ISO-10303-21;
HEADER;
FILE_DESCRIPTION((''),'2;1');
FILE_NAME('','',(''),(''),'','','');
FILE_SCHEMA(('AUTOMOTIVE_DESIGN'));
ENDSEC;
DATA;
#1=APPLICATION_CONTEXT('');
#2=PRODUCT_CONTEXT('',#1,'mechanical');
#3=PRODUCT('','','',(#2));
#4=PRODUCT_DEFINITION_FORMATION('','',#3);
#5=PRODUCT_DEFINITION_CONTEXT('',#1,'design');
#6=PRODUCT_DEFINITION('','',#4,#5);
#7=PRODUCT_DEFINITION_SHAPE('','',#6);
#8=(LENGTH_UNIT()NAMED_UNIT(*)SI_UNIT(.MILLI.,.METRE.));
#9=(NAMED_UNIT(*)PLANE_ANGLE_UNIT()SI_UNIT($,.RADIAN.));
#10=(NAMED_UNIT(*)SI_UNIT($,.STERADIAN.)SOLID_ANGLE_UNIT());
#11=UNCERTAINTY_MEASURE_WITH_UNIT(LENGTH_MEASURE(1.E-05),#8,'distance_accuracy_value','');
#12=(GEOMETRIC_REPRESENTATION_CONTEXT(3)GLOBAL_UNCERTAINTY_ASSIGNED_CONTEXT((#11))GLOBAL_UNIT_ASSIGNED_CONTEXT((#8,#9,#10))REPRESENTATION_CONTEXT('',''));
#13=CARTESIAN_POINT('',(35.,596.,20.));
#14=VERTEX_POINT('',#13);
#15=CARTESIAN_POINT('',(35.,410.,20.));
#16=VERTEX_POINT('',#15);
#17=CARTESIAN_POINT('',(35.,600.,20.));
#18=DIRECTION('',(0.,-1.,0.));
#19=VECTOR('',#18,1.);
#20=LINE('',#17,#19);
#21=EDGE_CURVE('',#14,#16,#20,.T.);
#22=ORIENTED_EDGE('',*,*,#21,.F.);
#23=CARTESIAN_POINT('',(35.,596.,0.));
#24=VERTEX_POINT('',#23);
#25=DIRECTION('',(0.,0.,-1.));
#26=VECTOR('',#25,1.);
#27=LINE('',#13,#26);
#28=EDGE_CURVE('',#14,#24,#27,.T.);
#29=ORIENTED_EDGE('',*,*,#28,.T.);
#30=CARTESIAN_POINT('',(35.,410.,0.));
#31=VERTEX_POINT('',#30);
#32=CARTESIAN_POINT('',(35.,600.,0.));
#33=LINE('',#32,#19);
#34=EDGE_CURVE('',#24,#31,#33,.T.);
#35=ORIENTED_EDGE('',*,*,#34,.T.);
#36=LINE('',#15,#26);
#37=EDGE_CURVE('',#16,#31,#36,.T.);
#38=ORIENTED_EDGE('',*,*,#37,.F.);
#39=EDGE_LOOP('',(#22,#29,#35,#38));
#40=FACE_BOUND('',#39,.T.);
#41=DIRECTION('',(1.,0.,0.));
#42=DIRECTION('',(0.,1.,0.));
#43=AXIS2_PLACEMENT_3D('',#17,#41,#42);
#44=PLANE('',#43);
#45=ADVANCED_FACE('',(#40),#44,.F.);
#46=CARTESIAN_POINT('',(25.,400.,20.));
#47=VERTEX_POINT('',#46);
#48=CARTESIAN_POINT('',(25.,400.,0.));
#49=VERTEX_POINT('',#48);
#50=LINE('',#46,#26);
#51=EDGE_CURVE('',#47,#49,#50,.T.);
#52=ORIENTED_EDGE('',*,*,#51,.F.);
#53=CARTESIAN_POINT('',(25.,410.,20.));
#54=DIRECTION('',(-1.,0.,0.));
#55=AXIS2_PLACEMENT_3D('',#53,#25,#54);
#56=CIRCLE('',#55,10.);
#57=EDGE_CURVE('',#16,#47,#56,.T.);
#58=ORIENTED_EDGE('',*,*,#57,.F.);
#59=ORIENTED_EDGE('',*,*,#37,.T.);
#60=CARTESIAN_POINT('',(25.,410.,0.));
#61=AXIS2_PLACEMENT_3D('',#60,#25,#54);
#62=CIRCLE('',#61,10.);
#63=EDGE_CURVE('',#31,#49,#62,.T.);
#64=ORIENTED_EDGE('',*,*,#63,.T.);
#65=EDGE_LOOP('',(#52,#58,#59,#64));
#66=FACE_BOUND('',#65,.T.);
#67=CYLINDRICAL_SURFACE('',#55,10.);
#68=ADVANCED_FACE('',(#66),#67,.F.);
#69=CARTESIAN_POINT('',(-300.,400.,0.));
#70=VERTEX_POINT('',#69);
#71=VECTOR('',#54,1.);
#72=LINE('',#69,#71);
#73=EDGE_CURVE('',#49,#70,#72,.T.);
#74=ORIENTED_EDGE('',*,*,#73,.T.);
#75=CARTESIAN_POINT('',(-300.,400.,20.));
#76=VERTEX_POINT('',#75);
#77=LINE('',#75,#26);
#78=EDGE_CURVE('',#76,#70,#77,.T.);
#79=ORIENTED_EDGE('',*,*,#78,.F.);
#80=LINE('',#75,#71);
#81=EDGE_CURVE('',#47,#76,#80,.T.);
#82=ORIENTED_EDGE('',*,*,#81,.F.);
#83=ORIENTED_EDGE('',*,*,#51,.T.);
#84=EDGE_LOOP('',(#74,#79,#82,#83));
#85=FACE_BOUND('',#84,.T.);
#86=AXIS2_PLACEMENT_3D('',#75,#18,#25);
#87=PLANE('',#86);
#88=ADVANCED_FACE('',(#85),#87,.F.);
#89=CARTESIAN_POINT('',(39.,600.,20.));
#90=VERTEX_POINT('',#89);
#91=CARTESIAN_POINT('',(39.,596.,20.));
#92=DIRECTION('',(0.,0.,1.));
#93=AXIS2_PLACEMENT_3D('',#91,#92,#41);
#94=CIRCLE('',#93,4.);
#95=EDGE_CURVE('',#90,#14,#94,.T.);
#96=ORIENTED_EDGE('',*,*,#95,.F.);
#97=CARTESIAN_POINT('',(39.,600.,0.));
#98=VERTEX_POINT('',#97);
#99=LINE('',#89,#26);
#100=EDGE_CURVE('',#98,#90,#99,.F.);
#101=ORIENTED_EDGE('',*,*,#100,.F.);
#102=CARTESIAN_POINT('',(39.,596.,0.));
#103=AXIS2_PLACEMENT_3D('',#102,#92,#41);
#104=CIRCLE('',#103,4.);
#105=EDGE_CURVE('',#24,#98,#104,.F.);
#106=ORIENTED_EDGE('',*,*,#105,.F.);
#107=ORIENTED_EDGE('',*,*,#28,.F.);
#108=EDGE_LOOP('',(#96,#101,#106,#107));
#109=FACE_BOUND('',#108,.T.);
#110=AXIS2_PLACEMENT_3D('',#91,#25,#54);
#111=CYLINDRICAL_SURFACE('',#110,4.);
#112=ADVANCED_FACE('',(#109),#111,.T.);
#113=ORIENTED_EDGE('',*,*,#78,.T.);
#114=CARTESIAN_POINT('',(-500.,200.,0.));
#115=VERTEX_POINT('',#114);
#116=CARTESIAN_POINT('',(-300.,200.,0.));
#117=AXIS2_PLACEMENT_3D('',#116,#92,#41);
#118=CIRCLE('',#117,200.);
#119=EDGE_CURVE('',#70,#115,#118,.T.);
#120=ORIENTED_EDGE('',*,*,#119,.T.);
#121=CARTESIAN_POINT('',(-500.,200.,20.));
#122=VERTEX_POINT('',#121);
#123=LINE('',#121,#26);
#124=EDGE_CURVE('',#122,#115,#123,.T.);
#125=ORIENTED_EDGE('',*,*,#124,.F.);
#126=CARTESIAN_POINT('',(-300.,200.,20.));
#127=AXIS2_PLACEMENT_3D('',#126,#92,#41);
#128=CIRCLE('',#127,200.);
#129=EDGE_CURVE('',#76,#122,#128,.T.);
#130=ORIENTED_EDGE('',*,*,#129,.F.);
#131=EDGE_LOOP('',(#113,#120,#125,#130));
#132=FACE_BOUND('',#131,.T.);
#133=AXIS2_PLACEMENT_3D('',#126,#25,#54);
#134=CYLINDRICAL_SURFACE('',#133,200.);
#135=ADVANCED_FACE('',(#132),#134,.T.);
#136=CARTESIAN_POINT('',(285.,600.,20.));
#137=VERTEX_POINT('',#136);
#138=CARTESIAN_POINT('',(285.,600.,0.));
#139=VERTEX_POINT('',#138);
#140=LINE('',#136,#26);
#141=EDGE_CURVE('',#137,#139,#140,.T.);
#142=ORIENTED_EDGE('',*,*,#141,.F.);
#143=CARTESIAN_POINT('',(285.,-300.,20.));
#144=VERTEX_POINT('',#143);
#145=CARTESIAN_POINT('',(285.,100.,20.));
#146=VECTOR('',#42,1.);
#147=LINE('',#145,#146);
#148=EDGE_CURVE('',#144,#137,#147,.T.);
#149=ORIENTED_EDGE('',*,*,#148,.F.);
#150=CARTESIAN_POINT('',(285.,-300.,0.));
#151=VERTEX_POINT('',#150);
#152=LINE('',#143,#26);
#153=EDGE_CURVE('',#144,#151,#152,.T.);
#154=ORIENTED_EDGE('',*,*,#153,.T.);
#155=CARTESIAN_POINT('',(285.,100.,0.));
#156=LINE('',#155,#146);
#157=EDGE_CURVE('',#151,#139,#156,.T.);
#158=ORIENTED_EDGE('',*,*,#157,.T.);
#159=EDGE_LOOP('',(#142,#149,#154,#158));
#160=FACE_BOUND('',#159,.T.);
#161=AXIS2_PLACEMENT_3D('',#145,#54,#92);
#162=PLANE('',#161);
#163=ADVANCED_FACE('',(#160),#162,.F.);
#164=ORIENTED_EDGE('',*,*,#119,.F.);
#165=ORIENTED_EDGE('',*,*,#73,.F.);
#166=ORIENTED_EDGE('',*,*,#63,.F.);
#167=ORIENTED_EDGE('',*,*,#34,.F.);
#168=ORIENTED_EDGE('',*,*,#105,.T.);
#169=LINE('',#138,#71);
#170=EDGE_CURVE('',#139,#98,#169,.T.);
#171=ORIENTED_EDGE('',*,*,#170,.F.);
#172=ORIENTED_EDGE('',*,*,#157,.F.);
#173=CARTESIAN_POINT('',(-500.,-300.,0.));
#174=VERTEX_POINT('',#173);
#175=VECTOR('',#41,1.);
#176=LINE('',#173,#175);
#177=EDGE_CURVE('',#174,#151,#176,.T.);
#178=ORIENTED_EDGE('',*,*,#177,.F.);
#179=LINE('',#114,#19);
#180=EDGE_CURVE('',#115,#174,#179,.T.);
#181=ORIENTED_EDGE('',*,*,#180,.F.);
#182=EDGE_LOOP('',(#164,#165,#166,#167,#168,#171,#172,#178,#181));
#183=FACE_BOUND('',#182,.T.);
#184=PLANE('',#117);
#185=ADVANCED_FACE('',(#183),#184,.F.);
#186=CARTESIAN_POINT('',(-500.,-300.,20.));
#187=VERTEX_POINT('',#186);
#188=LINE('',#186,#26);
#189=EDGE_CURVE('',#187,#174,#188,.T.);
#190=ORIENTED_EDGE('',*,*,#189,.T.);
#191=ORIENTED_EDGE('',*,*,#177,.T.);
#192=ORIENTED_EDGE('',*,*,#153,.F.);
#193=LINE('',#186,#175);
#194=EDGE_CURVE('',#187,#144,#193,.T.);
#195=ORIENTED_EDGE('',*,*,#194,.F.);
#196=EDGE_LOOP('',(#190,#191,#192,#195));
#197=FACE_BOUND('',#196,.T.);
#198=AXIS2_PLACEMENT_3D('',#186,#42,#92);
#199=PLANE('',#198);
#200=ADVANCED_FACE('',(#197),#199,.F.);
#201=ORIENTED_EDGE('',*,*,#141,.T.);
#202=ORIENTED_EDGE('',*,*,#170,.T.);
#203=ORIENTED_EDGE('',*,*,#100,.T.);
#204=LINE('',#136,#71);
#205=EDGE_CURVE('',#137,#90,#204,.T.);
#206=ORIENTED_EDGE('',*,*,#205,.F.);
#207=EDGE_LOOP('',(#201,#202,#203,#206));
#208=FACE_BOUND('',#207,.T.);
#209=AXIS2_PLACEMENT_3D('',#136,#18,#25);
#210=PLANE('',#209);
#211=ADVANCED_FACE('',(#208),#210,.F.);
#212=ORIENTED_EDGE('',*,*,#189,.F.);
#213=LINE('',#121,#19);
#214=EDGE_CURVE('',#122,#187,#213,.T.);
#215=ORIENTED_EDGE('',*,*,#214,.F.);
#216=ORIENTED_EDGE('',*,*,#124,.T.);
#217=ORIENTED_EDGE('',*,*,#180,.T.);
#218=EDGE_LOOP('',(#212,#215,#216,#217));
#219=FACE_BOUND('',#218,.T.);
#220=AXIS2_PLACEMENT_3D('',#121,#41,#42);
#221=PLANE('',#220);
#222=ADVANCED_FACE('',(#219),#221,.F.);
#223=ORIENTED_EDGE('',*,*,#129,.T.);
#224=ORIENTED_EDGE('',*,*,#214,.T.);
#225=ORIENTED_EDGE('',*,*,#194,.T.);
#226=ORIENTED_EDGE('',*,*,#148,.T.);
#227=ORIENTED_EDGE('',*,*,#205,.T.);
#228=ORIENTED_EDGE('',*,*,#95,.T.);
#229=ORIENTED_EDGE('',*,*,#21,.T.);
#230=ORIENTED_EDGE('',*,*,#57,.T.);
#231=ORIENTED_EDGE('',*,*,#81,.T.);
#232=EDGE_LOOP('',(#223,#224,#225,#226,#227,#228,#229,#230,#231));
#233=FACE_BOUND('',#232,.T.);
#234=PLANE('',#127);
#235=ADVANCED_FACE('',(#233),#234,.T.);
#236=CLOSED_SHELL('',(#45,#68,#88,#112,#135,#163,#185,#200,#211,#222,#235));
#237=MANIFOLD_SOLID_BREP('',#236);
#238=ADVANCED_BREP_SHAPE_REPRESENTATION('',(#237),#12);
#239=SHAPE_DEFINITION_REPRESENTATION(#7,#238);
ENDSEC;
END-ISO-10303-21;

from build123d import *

# Parameters (mm, degrees)
BOSS_EXTRUDE1_DEPTH = 20
FILLET1_R           = 4


with BuildPart() as part:
    # Sketch1 → Boss-Extrude1 (new body)
    with BuildSketch(Plane.XY):
        with BuildLine():
            Line((-300, 400), (25, 400))
            ThreePointArc((25, 400), (32.071067812, 402.928932188), (35, 410))
            Line((35, 410), (35, 600))
            Line((35, 600), (285, 600))
            Line((285, 600), (285, 100))
            Line((285, 100), (285, -300))
            Line((285, -300), (-500, -300))
            Line((-500, -300), (-500, 200))
            ThreePointArc((-500, 200), (-441.421356237, 341.421356237), (-300, 400))
        make_face()
    extrude(amount=BOSS_EXTRUDE1_DEPTH)

    # Fillet1
    fillet1_edges = [part.edges().sort_by_distance(p)[0] for p in [
        (35, 600, 10),
    ]]
    fillet(fillet1_edges, radius=FILLET1_R)


solid = part.part
